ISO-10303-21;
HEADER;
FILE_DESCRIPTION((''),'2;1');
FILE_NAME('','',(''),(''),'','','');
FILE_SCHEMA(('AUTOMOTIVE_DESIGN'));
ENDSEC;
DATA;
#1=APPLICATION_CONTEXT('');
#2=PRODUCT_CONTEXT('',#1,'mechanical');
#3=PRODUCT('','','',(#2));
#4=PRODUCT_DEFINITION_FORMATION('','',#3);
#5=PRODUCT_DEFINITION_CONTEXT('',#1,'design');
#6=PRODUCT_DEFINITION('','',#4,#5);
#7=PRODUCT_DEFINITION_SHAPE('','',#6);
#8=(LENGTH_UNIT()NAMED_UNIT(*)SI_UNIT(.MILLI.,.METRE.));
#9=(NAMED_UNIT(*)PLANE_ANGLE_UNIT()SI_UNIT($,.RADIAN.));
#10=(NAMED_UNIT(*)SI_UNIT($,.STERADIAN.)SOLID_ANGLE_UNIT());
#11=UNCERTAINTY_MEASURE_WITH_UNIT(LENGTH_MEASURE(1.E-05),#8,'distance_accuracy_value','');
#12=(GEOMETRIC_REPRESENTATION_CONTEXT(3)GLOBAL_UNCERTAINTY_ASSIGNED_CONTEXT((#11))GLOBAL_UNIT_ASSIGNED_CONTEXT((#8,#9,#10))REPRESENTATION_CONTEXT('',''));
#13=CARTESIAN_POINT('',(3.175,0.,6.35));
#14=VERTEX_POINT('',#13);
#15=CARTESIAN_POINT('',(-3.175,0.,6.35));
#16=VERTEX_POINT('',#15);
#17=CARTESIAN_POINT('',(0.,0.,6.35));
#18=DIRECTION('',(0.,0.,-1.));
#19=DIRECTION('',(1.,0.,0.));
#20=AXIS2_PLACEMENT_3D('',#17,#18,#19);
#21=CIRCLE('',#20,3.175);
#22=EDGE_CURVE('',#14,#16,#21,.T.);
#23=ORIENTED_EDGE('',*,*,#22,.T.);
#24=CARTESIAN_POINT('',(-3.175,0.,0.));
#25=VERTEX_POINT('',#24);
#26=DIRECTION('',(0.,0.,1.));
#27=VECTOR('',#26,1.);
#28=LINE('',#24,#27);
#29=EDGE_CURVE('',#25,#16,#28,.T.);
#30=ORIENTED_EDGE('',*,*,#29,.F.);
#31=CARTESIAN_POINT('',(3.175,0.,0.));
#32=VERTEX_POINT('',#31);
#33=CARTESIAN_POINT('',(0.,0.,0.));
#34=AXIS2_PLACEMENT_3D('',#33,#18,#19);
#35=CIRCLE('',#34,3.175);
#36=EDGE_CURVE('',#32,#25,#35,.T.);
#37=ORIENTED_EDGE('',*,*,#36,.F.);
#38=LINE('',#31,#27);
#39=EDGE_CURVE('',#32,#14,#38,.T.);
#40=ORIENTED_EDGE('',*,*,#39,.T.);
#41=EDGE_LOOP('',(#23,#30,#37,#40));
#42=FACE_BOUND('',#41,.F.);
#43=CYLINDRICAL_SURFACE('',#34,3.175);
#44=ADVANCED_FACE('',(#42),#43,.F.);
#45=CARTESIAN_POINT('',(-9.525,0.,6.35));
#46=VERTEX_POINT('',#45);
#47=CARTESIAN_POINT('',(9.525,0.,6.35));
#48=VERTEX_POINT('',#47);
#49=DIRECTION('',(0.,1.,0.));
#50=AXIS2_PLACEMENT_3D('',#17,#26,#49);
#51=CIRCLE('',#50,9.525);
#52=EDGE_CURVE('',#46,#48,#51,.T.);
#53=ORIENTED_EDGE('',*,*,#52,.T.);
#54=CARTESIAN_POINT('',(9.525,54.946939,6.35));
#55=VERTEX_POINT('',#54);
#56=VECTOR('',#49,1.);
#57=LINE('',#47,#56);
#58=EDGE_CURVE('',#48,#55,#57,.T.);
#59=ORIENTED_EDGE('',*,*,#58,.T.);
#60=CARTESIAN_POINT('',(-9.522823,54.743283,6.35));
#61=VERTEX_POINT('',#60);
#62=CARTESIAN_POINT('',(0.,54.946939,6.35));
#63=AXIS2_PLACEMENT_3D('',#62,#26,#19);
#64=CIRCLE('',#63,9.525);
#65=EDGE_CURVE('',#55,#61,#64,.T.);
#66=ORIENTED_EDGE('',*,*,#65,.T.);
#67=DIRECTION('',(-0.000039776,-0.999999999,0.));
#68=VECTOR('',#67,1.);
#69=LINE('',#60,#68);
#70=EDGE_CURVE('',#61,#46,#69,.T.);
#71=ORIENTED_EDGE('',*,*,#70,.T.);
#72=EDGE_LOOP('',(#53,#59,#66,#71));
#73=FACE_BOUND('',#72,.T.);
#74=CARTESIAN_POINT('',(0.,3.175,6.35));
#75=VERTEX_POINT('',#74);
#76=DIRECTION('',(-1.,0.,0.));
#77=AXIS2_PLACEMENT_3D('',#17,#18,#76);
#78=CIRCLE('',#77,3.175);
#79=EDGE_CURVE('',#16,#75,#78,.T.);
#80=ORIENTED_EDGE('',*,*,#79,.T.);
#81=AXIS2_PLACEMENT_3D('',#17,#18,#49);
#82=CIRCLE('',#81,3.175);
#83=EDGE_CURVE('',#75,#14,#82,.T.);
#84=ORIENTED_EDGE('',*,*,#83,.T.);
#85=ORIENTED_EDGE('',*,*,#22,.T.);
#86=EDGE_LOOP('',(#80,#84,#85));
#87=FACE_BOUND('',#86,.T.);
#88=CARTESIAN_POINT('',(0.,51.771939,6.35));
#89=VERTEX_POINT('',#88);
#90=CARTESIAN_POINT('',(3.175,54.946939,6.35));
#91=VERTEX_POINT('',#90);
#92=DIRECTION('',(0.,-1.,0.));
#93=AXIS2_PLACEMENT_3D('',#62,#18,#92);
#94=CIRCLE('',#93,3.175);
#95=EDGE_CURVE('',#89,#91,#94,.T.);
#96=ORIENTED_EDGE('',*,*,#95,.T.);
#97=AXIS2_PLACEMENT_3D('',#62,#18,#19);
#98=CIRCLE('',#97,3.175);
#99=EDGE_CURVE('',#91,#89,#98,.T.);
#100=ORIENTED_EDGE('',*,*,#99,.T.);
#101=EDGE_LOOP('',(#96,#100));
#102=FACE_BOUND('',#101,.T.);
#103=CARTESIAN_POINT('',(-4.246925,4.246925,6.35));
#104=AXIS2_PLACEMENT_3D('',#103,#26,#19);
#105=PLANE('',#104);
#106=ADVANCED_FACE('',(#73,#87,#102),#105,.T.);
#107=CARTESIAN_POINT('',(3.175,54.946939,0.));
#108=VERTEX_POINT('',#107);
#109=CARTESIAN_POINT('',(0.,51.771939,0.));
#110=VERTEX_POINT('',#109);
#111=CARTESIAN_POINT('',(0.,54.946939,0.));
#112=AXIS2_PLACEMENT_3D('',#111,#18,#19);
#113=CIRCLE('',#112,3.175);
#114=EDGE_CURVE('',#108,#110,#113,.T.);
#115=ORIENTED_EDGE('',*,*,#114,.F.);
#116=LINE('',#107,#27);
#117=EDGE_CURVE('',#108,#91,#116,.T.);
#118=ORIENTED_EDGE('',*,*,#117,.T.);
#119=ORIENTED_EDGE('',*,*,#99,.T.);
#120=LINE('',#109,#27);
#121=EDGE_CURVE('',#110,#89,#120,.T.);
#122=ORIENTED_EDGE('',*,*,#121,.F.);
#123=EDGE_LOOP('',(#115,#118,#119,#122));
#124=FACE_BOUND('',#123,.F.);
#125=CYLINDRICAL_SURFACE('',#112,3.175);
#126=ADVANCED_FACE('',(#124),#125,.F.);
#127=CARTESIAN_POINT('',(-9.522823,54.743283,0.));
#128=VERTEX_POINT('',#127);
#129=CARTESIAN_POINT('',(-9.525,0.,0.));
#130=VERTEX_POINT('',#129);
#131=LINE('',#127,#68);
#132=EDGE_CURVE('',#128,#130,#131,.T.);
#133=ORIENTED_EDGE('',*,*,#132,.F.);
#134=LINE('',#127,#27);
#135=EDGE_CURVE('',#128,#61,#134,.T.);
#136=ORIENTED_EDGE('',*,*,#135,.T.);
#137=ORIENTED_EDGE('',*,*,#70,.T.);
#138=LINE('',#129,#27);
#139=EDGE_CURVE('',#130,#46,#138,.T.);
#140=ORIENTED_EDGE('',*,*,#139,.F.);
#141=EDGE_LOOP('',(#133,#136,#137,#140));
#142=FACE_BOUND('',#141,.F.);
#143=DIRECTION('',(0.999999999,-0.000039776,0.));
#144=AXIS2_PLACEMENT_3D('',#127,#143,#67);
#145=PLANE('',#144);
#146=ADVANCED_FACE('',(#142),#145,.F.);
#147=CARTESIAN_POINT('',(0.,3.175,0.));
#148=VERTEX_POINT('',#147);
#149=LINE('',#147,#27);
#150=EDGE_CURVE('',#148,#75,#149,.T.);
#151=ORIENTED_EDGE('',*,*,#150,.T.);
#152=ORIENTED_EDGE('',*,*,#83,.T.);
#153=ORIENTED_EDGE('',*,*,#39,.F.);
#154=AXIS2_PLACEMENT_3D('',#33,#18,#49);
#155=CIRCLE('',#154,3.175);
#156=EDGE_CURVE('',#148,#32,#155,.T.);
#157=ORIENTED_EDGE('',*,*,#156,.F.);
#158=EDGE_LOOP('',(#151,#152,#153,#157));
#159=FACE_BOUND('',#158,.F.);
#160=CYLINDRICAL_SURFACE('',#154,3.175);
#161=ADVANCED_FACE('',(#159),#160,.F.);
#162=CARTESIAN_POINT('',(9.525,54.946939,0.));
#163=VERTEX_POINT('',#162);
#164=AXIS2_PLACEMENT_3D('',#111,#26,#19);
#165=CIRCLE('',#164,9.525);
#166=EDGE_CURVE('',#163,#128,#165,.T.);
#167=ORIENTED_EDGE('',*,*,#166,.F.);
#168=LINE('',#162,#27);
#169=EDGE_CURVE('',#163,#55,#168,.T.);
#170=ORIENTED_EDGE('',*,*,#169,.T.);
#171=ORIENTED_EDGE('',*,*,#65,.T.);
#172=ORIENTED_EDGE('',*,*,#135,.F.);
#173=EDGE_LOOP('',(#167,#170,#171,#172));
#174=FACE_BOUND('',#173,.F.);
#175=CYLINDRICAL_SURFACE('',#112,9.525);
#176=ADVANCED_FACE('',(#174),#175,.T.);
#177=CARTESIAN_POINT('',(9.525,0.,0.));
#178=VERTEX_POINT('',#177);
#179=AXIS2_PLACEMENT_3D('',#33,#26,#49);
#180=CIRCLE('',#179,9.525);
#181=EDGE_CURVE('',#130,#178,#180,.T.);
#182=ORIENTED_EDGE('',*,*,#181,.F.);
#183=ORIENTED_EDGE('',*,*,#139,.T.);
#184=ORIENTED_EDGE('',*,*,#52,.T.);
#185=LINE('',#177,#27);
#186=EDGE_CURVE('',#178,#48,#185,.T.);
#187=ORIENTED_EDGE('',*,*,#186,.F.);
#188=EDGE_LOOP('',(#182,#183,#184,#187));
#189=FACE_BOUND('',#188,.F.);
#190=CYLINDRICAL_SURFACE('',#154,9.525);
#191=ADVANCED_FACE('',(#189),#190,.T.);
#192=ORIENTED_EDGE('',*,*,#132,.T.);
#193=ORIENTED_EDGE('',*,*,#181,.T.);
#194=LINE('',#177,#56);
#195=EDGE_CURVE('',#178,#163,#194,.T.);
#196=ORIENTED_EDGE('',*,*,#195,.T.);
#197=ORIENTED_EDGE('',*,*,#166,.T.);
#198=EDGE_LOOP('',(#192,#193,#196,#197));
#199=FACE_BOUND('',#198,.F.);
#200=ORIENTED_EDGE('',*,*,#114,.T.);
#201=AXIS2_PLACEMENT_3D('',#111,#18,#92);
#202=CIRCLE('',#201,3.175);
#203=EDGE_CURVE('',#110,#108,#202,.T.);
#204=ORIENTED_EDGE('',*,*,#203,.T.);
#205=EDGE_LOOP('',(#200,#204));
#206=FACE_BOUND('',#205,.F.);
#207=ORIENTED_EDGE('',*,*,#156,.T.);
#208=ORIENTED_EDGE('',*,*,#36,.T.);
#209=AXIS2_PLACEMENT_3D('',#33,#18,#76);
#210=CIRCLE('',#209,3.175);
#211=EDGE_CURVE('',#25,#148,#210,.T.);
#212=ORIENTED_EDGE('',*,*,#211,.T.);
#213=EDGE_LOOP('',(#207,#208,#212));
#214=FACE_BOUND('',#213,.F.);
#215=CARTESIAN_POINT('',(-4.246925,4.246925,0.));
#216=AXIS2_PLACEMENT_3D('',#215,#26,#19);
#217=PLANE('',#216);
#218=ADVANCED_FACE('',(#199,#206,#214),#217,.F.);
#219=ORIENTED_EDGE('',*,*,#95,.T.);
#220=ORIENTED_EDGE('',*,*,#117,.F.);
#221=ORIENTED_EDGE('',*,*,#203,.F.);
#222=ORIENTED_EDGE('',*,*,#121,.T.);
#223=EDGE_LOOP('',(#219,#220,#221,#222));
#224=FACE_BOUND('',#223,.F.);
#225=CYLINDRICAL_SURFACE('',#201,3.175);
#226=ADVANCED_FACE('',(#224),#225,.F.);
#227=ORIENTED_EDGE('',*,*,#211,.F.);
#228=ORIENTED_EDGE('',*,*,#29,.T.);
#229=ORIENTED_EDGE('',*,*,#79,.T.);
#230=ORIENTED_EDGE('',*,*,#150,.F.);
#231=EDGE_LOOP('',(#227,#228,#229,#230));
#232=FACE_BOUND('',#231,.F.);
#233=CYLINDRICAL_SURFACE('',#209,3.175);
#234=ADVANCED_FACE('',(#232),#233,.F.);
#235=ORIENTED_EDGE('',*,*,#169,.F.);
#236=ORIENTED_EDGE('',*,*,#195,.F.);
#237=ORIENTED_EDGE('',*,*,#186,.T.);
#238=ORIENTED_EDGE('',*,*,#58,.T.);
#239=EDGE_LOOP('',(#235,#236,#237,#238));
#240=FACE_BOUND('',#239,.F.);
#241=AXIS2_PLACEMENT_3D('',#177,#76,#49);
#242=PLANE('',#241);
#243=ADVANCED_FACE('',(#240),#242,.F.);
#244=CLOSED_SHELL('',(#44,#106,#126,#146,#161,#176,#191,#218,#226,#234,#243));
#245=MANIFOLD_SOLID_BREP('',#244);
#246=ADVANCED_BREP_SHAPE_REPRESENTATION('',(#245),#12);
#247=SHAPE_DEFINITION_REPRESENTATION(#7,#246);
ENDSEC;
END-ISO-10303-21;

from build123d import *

# Parameters (mm, degrees)
F1_DEPTH = 6.35


with BuildPart() as f1:
    # F0 (on Top) → F1 (new body)
    with BuildSketch(Plane.XY):
        with BuildLine():
            ThreePointArc((-3.175, 0), (-2.2450640303, 2.2450640303), (0, 3.175))
            Line((0, 3.175), (0, 9.525))
            ThreePointArc((0, 9.525), (-6.7351920908, 6.7351920908), (-9.525, 0))
            Line((-9.5250000075, 0), (-3.175, 0))
        make_face()
        with BuildLine():
            Line((0, 9.525), (0, 3.175))
            ThreePointArc((0, 3.175), (2.2450640303, 2.2450640303), (3.175, 0))
            Line((3.175, 0), (9.525, 0))
            ThreePointArc((9.525, 0), (6.7351920908, 6.7351920908), (0, 9.525))
        make_face()
        with BuildLine():
            Line((9.525, 0), (3.175, 0))
            ThreePointArc((3.175, 0), (0, -3.175), (-3.175, 0))
            Line((-3.175, 0), (-9.5250000075, 0))
            ThreePointArc((-9.525, 0), (0, -9.525), (9.525, 0))
        make_face()
        with BuildLine():
            ThreePointArc((-9.525, 0), (-6.7351920908, 6.7351920908), (0, 9.525))
            Line((0, 9.525), (0, 45.4219387724))
            ThreePointArc((0, 45.4219387724), (-6.6627997611, 48.1401242205), (-9.5228225449, 54.7432827422))
            Line((-9.5228225449, 54.7432827422), (-9.5250000075, 0))
        make_face()
        with BuildLine():
            Line((0, 45.4219387724), (0, 9.525))
            ThreePointArc((0, 9.525), (6.7351920908, 6.7351920908), (9.525, 0))
            Line((9.525, 0), (9.525, 54.9469387724))
            ThreePointArc((9.525, 54.9469387724), (6.7351920908, 48.2117466816), (0, 45.4219387724))
        make_face()
        with BuildLine():
            ThreePointArc((-9.5228225449, 54.7432827422), (-6.6627997611, 48.1401242205), (0, 45.4219387724))
            ThreePointArc((0, 45.4219387724), (6.7351920908, 48.2117466816), (9.525, 54.9469387724))
            ThreePointArc((9.525, 54.9469387724), (-0.1018338352, 64.4713943931), (-9.5228225449, 54.7432827422))
        make_face()
        with BuildLine():
            ThreePointArc((3.175, 54.9469387724), (2.2450640303, 52.7018747421), (0, 51.7719387724))
            ThreePointArc((0, 51.7719387724), (-2.2450640303, 57.1920028027), (3.175, 54.9469387724))
        make_face(mode=Mode.SUBTRACT)
    extrude(amount=F1_DEPTH)


solid = f1.part
